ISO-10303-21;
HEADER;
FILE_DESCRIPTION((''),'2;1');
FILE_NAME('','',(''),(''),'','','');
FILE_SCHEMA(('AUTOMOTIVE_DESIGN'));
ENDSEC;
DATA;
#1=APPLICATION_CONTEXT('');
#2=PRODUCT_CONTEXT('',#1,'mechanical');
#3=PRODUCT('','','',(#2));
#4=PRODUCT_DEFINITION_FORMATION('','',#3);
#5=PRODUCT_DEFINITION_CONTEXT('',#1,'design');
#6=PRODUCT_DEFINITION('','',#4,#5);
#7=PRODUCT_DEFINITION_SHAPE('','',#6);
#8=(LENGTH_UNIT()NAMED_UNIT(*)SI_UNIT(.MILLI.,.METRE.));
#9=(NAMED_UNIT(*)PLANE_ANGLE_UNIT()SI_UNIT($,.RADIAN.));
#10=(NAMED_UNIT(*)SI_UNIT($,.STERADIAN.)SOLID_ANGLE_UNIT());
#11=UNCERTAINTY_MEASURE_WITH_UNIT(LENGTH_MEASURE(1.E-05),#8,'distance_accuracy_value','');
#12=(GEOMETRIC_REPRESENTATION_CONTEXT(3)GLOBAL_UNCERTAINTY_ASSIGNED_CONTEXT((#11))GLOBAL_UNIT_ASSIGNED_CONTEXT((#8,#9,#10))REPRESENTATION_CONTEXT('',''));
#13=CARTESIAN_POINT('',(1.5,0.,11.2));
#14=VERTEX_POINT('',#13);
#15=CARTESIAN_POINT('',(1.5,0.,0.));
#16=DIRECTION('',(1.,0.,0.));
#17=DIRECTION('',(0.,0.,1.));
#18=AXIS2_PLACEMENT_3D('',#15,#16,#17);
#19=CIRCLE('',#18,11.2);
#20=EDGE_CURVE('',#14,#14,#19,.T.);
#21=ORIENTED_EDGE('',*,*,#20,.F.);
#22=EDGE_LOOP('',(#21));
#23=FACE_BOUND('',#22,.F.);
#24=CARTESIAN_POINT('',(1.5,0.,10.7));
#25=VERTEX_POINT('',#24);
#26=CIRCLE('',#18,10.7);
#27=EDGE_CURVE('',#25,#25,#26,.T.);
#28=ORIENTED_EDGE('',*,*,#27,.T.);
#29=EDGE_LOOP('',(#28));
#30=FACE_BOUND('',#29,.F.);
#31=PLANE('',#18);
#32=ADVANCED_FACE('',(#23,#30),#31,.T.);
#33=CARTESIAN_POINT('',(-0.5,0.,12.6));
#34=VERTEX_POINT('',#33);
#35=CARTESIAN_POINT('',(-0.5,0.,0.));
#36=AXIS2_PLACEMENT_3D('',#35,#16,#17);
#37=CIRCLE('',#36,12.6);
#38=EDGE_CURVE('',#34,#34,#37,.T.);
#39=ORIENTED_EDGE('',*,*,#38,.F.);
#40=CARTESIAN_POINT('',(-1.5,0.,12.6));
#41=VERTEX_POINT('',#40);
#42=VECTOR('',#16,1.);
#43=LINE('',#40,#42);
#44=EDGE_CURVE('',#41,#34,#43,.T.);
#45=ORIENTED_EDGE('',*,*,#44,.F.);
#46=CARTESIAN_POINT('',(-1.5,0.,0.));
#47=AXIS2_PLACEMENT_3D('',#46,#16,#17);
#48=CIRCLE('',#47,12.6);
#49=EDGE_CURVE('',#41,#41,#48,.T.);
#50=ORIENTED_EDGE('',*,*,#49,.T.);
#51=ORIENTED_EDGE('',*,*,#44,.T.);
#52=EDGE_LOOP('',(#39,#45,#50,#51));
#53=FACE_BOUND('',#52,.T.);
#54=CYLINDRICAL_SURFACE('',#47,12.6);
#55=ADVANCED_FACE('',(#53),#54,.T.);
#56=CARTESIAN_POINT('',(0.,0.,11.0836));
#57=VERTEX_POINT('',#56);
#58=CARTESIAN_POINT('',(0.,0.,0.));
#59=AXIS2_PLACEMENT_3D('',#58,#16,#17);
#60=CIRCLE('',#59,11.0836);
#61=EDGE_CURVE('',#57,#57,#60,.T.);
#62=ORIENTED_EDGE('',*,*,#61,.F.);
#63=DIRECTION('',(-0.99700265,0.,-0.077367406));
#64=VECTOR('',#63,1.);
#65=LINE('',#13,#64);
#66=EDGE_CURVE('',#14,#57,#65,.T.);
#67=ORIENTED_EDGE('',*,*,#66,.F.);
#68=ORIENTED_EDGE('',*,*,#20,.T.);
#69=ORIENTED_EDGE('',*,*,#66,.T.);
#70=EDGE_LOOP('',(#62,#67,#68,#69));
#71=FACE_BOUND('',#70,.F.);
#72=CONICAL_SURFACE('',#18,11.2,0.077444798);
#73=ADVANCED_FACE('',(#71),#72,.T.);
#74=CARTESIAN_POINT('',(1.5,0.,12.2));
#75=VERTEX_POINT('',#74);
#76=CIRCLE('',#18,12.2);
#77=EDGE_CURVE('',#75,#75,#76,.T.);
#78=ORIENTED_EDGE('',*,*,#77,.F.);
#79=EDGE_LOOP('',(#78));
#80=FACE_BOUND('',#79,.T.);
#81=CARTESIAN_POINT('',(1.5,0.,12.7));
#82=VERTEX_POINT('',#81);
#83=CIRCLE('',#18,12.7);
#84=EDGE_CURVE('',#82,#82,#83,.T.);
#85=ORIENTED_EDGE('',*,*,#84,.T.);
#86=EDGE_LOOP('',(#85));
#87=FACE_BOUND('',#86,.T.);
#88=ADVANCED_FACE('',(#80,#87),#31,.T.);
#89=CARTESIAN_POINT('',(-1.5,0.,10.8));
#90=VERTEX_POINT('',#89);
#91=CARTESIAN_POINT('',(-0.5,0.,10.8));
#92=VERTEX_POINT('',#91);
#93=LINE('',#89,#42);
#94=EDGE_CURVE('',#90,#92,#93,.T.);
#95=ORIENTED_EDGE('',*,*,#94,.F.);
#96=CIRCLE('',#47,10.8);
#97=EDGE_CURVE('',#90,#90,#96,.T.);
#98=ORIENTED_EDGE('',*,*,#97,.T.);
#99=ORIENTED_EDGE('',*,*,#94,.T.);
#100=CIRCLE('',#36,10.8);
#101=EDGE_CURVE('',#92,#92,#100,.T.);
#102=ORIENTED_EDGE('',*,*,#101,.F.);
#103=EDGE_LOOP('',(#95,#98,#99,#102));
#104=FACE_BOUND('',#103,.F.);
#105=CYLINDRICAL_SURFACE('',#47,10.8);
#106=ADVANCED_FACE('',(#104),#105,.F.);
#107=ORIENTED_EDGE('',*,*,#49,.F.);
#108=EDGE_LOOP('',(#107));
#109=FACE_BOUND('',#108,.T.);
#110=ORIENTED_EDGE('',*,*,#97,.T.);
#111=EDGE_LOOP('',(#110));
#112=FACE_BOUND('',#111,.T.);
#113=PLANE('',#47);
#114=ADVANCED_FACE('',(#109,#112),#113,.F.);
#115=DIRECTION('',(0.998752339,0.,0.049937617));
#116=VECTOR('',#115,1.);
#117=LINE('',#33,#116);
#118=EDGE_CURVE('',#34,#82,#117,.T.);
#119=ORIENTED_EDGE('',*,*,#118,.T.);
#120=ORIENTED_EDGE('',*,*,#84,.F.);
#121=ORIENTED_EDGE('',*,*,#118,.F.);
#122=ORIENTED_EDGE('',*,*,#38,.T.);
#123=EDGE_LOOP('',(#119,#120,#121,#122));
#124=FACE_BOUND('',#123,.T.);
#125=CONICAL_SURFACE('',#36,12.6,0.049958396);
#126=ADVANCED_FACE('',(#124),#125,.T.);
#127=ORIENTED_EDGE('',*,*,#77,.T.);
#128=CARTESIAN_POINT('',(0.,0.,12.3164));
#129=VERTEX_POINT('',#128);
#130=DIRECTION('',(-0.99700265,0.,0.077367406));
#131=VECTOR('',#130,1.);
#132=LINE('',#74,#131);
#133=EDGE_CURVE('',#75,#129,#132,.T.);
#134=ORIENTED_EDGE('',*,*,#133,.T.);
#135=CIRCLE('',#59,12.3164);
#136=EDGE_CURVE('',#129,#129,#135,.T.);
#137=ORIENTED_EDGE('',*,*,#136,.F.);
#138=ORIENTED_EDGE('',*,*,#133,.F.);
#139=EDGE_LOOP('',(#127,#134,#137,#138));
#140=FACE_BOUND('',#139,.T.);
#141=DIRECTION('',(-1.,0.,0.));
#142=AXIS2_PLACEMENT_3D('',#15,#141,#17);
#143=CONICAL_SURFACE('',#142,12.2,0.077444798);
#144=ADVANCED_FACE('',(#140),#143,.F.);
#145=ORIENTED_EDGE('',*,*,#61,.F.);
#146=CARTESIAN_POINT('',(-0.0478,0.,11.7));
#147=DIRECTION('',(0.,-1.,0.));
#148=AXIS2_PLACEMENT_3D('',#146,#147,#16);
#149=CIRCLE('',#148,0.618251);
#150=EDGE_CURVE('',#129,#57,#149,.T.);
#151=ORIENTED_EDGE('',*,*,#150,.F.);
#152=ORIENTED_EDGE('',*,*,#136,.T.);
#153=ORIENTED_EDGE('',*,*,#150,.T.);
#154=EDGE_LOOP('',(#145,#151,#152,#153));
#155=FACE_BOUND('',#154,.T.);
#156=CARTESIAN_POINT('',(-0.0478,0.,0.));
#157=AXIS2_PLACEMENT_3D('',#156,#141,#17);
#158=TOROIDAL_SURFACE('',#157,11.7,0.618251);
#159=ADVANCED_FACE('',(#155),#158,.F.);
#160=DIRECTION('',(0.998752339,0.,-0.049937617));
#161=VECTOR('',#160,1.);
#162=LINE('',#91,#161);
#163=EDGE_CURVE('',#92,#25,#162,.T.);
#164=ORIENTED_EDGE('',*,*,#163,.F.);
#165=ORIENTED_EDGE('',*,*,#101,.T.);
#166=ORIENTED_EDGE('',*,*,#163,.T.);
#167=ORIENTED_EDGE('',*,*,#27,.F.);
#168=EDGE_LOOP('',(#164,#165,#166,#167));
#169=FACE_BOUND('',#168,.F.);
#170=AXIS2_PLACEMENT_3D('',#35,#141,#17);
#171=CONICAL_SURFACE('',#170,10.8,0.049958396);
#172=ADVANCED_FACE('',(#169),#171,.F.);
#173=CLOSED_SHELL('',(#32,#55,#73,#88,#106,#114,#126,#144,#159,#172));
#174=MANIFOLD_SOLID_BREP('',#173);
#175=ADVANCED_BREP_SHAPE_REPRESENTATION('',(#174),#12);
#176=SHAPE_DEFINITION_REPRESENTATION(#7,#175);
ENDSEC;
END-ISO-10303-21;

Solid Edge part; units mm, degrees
sketch "Sketch1" plane through (0, 0, 0) normal (0, -1, 0) x (1, 0, 0)
  line L0 (-1.5, 10.8) -> (-1.5, 12.6)
  line L1 (-1.5, 12.6) -> (-0.5, 12.6)
  line L2 (-0.5, 12.6) -> (1.5, 12.7)
  line L3 (1.5, 12.7) -> (1.5, 12.2)
  line L4 (1.5, 12.2) -> (0, 12.3164)
  arc A0 (0, 12.3164) -> (0, 11.0836) centre (-0.0478, 11.7) ccw
  line L5 (1.5, 11.2) -> (0, 11.0836)
  line L6 (1.5, 10.7) -> (1.5, 11.2)
  line L7 (-0.5, 10.8) -> (1.5, 10.7)
  line L8 (-1.5, 10.8) -> (-0.5, 10.8)
  dimension "D1" = 3
  dimension "D2" = 0.5
  dimension "D3" = 0.6183
  dimension "D4" = 1.8
  dimension "D5" = 1
  dimension "D6" = 1.5
  dimension "D7" = 2
revolve "RevolvedProtrusion1" add sketch "Sketch1" angle 360 about axis through (-10.358, 0, 0) along (1, 0, 0)
properties material "(None)"
